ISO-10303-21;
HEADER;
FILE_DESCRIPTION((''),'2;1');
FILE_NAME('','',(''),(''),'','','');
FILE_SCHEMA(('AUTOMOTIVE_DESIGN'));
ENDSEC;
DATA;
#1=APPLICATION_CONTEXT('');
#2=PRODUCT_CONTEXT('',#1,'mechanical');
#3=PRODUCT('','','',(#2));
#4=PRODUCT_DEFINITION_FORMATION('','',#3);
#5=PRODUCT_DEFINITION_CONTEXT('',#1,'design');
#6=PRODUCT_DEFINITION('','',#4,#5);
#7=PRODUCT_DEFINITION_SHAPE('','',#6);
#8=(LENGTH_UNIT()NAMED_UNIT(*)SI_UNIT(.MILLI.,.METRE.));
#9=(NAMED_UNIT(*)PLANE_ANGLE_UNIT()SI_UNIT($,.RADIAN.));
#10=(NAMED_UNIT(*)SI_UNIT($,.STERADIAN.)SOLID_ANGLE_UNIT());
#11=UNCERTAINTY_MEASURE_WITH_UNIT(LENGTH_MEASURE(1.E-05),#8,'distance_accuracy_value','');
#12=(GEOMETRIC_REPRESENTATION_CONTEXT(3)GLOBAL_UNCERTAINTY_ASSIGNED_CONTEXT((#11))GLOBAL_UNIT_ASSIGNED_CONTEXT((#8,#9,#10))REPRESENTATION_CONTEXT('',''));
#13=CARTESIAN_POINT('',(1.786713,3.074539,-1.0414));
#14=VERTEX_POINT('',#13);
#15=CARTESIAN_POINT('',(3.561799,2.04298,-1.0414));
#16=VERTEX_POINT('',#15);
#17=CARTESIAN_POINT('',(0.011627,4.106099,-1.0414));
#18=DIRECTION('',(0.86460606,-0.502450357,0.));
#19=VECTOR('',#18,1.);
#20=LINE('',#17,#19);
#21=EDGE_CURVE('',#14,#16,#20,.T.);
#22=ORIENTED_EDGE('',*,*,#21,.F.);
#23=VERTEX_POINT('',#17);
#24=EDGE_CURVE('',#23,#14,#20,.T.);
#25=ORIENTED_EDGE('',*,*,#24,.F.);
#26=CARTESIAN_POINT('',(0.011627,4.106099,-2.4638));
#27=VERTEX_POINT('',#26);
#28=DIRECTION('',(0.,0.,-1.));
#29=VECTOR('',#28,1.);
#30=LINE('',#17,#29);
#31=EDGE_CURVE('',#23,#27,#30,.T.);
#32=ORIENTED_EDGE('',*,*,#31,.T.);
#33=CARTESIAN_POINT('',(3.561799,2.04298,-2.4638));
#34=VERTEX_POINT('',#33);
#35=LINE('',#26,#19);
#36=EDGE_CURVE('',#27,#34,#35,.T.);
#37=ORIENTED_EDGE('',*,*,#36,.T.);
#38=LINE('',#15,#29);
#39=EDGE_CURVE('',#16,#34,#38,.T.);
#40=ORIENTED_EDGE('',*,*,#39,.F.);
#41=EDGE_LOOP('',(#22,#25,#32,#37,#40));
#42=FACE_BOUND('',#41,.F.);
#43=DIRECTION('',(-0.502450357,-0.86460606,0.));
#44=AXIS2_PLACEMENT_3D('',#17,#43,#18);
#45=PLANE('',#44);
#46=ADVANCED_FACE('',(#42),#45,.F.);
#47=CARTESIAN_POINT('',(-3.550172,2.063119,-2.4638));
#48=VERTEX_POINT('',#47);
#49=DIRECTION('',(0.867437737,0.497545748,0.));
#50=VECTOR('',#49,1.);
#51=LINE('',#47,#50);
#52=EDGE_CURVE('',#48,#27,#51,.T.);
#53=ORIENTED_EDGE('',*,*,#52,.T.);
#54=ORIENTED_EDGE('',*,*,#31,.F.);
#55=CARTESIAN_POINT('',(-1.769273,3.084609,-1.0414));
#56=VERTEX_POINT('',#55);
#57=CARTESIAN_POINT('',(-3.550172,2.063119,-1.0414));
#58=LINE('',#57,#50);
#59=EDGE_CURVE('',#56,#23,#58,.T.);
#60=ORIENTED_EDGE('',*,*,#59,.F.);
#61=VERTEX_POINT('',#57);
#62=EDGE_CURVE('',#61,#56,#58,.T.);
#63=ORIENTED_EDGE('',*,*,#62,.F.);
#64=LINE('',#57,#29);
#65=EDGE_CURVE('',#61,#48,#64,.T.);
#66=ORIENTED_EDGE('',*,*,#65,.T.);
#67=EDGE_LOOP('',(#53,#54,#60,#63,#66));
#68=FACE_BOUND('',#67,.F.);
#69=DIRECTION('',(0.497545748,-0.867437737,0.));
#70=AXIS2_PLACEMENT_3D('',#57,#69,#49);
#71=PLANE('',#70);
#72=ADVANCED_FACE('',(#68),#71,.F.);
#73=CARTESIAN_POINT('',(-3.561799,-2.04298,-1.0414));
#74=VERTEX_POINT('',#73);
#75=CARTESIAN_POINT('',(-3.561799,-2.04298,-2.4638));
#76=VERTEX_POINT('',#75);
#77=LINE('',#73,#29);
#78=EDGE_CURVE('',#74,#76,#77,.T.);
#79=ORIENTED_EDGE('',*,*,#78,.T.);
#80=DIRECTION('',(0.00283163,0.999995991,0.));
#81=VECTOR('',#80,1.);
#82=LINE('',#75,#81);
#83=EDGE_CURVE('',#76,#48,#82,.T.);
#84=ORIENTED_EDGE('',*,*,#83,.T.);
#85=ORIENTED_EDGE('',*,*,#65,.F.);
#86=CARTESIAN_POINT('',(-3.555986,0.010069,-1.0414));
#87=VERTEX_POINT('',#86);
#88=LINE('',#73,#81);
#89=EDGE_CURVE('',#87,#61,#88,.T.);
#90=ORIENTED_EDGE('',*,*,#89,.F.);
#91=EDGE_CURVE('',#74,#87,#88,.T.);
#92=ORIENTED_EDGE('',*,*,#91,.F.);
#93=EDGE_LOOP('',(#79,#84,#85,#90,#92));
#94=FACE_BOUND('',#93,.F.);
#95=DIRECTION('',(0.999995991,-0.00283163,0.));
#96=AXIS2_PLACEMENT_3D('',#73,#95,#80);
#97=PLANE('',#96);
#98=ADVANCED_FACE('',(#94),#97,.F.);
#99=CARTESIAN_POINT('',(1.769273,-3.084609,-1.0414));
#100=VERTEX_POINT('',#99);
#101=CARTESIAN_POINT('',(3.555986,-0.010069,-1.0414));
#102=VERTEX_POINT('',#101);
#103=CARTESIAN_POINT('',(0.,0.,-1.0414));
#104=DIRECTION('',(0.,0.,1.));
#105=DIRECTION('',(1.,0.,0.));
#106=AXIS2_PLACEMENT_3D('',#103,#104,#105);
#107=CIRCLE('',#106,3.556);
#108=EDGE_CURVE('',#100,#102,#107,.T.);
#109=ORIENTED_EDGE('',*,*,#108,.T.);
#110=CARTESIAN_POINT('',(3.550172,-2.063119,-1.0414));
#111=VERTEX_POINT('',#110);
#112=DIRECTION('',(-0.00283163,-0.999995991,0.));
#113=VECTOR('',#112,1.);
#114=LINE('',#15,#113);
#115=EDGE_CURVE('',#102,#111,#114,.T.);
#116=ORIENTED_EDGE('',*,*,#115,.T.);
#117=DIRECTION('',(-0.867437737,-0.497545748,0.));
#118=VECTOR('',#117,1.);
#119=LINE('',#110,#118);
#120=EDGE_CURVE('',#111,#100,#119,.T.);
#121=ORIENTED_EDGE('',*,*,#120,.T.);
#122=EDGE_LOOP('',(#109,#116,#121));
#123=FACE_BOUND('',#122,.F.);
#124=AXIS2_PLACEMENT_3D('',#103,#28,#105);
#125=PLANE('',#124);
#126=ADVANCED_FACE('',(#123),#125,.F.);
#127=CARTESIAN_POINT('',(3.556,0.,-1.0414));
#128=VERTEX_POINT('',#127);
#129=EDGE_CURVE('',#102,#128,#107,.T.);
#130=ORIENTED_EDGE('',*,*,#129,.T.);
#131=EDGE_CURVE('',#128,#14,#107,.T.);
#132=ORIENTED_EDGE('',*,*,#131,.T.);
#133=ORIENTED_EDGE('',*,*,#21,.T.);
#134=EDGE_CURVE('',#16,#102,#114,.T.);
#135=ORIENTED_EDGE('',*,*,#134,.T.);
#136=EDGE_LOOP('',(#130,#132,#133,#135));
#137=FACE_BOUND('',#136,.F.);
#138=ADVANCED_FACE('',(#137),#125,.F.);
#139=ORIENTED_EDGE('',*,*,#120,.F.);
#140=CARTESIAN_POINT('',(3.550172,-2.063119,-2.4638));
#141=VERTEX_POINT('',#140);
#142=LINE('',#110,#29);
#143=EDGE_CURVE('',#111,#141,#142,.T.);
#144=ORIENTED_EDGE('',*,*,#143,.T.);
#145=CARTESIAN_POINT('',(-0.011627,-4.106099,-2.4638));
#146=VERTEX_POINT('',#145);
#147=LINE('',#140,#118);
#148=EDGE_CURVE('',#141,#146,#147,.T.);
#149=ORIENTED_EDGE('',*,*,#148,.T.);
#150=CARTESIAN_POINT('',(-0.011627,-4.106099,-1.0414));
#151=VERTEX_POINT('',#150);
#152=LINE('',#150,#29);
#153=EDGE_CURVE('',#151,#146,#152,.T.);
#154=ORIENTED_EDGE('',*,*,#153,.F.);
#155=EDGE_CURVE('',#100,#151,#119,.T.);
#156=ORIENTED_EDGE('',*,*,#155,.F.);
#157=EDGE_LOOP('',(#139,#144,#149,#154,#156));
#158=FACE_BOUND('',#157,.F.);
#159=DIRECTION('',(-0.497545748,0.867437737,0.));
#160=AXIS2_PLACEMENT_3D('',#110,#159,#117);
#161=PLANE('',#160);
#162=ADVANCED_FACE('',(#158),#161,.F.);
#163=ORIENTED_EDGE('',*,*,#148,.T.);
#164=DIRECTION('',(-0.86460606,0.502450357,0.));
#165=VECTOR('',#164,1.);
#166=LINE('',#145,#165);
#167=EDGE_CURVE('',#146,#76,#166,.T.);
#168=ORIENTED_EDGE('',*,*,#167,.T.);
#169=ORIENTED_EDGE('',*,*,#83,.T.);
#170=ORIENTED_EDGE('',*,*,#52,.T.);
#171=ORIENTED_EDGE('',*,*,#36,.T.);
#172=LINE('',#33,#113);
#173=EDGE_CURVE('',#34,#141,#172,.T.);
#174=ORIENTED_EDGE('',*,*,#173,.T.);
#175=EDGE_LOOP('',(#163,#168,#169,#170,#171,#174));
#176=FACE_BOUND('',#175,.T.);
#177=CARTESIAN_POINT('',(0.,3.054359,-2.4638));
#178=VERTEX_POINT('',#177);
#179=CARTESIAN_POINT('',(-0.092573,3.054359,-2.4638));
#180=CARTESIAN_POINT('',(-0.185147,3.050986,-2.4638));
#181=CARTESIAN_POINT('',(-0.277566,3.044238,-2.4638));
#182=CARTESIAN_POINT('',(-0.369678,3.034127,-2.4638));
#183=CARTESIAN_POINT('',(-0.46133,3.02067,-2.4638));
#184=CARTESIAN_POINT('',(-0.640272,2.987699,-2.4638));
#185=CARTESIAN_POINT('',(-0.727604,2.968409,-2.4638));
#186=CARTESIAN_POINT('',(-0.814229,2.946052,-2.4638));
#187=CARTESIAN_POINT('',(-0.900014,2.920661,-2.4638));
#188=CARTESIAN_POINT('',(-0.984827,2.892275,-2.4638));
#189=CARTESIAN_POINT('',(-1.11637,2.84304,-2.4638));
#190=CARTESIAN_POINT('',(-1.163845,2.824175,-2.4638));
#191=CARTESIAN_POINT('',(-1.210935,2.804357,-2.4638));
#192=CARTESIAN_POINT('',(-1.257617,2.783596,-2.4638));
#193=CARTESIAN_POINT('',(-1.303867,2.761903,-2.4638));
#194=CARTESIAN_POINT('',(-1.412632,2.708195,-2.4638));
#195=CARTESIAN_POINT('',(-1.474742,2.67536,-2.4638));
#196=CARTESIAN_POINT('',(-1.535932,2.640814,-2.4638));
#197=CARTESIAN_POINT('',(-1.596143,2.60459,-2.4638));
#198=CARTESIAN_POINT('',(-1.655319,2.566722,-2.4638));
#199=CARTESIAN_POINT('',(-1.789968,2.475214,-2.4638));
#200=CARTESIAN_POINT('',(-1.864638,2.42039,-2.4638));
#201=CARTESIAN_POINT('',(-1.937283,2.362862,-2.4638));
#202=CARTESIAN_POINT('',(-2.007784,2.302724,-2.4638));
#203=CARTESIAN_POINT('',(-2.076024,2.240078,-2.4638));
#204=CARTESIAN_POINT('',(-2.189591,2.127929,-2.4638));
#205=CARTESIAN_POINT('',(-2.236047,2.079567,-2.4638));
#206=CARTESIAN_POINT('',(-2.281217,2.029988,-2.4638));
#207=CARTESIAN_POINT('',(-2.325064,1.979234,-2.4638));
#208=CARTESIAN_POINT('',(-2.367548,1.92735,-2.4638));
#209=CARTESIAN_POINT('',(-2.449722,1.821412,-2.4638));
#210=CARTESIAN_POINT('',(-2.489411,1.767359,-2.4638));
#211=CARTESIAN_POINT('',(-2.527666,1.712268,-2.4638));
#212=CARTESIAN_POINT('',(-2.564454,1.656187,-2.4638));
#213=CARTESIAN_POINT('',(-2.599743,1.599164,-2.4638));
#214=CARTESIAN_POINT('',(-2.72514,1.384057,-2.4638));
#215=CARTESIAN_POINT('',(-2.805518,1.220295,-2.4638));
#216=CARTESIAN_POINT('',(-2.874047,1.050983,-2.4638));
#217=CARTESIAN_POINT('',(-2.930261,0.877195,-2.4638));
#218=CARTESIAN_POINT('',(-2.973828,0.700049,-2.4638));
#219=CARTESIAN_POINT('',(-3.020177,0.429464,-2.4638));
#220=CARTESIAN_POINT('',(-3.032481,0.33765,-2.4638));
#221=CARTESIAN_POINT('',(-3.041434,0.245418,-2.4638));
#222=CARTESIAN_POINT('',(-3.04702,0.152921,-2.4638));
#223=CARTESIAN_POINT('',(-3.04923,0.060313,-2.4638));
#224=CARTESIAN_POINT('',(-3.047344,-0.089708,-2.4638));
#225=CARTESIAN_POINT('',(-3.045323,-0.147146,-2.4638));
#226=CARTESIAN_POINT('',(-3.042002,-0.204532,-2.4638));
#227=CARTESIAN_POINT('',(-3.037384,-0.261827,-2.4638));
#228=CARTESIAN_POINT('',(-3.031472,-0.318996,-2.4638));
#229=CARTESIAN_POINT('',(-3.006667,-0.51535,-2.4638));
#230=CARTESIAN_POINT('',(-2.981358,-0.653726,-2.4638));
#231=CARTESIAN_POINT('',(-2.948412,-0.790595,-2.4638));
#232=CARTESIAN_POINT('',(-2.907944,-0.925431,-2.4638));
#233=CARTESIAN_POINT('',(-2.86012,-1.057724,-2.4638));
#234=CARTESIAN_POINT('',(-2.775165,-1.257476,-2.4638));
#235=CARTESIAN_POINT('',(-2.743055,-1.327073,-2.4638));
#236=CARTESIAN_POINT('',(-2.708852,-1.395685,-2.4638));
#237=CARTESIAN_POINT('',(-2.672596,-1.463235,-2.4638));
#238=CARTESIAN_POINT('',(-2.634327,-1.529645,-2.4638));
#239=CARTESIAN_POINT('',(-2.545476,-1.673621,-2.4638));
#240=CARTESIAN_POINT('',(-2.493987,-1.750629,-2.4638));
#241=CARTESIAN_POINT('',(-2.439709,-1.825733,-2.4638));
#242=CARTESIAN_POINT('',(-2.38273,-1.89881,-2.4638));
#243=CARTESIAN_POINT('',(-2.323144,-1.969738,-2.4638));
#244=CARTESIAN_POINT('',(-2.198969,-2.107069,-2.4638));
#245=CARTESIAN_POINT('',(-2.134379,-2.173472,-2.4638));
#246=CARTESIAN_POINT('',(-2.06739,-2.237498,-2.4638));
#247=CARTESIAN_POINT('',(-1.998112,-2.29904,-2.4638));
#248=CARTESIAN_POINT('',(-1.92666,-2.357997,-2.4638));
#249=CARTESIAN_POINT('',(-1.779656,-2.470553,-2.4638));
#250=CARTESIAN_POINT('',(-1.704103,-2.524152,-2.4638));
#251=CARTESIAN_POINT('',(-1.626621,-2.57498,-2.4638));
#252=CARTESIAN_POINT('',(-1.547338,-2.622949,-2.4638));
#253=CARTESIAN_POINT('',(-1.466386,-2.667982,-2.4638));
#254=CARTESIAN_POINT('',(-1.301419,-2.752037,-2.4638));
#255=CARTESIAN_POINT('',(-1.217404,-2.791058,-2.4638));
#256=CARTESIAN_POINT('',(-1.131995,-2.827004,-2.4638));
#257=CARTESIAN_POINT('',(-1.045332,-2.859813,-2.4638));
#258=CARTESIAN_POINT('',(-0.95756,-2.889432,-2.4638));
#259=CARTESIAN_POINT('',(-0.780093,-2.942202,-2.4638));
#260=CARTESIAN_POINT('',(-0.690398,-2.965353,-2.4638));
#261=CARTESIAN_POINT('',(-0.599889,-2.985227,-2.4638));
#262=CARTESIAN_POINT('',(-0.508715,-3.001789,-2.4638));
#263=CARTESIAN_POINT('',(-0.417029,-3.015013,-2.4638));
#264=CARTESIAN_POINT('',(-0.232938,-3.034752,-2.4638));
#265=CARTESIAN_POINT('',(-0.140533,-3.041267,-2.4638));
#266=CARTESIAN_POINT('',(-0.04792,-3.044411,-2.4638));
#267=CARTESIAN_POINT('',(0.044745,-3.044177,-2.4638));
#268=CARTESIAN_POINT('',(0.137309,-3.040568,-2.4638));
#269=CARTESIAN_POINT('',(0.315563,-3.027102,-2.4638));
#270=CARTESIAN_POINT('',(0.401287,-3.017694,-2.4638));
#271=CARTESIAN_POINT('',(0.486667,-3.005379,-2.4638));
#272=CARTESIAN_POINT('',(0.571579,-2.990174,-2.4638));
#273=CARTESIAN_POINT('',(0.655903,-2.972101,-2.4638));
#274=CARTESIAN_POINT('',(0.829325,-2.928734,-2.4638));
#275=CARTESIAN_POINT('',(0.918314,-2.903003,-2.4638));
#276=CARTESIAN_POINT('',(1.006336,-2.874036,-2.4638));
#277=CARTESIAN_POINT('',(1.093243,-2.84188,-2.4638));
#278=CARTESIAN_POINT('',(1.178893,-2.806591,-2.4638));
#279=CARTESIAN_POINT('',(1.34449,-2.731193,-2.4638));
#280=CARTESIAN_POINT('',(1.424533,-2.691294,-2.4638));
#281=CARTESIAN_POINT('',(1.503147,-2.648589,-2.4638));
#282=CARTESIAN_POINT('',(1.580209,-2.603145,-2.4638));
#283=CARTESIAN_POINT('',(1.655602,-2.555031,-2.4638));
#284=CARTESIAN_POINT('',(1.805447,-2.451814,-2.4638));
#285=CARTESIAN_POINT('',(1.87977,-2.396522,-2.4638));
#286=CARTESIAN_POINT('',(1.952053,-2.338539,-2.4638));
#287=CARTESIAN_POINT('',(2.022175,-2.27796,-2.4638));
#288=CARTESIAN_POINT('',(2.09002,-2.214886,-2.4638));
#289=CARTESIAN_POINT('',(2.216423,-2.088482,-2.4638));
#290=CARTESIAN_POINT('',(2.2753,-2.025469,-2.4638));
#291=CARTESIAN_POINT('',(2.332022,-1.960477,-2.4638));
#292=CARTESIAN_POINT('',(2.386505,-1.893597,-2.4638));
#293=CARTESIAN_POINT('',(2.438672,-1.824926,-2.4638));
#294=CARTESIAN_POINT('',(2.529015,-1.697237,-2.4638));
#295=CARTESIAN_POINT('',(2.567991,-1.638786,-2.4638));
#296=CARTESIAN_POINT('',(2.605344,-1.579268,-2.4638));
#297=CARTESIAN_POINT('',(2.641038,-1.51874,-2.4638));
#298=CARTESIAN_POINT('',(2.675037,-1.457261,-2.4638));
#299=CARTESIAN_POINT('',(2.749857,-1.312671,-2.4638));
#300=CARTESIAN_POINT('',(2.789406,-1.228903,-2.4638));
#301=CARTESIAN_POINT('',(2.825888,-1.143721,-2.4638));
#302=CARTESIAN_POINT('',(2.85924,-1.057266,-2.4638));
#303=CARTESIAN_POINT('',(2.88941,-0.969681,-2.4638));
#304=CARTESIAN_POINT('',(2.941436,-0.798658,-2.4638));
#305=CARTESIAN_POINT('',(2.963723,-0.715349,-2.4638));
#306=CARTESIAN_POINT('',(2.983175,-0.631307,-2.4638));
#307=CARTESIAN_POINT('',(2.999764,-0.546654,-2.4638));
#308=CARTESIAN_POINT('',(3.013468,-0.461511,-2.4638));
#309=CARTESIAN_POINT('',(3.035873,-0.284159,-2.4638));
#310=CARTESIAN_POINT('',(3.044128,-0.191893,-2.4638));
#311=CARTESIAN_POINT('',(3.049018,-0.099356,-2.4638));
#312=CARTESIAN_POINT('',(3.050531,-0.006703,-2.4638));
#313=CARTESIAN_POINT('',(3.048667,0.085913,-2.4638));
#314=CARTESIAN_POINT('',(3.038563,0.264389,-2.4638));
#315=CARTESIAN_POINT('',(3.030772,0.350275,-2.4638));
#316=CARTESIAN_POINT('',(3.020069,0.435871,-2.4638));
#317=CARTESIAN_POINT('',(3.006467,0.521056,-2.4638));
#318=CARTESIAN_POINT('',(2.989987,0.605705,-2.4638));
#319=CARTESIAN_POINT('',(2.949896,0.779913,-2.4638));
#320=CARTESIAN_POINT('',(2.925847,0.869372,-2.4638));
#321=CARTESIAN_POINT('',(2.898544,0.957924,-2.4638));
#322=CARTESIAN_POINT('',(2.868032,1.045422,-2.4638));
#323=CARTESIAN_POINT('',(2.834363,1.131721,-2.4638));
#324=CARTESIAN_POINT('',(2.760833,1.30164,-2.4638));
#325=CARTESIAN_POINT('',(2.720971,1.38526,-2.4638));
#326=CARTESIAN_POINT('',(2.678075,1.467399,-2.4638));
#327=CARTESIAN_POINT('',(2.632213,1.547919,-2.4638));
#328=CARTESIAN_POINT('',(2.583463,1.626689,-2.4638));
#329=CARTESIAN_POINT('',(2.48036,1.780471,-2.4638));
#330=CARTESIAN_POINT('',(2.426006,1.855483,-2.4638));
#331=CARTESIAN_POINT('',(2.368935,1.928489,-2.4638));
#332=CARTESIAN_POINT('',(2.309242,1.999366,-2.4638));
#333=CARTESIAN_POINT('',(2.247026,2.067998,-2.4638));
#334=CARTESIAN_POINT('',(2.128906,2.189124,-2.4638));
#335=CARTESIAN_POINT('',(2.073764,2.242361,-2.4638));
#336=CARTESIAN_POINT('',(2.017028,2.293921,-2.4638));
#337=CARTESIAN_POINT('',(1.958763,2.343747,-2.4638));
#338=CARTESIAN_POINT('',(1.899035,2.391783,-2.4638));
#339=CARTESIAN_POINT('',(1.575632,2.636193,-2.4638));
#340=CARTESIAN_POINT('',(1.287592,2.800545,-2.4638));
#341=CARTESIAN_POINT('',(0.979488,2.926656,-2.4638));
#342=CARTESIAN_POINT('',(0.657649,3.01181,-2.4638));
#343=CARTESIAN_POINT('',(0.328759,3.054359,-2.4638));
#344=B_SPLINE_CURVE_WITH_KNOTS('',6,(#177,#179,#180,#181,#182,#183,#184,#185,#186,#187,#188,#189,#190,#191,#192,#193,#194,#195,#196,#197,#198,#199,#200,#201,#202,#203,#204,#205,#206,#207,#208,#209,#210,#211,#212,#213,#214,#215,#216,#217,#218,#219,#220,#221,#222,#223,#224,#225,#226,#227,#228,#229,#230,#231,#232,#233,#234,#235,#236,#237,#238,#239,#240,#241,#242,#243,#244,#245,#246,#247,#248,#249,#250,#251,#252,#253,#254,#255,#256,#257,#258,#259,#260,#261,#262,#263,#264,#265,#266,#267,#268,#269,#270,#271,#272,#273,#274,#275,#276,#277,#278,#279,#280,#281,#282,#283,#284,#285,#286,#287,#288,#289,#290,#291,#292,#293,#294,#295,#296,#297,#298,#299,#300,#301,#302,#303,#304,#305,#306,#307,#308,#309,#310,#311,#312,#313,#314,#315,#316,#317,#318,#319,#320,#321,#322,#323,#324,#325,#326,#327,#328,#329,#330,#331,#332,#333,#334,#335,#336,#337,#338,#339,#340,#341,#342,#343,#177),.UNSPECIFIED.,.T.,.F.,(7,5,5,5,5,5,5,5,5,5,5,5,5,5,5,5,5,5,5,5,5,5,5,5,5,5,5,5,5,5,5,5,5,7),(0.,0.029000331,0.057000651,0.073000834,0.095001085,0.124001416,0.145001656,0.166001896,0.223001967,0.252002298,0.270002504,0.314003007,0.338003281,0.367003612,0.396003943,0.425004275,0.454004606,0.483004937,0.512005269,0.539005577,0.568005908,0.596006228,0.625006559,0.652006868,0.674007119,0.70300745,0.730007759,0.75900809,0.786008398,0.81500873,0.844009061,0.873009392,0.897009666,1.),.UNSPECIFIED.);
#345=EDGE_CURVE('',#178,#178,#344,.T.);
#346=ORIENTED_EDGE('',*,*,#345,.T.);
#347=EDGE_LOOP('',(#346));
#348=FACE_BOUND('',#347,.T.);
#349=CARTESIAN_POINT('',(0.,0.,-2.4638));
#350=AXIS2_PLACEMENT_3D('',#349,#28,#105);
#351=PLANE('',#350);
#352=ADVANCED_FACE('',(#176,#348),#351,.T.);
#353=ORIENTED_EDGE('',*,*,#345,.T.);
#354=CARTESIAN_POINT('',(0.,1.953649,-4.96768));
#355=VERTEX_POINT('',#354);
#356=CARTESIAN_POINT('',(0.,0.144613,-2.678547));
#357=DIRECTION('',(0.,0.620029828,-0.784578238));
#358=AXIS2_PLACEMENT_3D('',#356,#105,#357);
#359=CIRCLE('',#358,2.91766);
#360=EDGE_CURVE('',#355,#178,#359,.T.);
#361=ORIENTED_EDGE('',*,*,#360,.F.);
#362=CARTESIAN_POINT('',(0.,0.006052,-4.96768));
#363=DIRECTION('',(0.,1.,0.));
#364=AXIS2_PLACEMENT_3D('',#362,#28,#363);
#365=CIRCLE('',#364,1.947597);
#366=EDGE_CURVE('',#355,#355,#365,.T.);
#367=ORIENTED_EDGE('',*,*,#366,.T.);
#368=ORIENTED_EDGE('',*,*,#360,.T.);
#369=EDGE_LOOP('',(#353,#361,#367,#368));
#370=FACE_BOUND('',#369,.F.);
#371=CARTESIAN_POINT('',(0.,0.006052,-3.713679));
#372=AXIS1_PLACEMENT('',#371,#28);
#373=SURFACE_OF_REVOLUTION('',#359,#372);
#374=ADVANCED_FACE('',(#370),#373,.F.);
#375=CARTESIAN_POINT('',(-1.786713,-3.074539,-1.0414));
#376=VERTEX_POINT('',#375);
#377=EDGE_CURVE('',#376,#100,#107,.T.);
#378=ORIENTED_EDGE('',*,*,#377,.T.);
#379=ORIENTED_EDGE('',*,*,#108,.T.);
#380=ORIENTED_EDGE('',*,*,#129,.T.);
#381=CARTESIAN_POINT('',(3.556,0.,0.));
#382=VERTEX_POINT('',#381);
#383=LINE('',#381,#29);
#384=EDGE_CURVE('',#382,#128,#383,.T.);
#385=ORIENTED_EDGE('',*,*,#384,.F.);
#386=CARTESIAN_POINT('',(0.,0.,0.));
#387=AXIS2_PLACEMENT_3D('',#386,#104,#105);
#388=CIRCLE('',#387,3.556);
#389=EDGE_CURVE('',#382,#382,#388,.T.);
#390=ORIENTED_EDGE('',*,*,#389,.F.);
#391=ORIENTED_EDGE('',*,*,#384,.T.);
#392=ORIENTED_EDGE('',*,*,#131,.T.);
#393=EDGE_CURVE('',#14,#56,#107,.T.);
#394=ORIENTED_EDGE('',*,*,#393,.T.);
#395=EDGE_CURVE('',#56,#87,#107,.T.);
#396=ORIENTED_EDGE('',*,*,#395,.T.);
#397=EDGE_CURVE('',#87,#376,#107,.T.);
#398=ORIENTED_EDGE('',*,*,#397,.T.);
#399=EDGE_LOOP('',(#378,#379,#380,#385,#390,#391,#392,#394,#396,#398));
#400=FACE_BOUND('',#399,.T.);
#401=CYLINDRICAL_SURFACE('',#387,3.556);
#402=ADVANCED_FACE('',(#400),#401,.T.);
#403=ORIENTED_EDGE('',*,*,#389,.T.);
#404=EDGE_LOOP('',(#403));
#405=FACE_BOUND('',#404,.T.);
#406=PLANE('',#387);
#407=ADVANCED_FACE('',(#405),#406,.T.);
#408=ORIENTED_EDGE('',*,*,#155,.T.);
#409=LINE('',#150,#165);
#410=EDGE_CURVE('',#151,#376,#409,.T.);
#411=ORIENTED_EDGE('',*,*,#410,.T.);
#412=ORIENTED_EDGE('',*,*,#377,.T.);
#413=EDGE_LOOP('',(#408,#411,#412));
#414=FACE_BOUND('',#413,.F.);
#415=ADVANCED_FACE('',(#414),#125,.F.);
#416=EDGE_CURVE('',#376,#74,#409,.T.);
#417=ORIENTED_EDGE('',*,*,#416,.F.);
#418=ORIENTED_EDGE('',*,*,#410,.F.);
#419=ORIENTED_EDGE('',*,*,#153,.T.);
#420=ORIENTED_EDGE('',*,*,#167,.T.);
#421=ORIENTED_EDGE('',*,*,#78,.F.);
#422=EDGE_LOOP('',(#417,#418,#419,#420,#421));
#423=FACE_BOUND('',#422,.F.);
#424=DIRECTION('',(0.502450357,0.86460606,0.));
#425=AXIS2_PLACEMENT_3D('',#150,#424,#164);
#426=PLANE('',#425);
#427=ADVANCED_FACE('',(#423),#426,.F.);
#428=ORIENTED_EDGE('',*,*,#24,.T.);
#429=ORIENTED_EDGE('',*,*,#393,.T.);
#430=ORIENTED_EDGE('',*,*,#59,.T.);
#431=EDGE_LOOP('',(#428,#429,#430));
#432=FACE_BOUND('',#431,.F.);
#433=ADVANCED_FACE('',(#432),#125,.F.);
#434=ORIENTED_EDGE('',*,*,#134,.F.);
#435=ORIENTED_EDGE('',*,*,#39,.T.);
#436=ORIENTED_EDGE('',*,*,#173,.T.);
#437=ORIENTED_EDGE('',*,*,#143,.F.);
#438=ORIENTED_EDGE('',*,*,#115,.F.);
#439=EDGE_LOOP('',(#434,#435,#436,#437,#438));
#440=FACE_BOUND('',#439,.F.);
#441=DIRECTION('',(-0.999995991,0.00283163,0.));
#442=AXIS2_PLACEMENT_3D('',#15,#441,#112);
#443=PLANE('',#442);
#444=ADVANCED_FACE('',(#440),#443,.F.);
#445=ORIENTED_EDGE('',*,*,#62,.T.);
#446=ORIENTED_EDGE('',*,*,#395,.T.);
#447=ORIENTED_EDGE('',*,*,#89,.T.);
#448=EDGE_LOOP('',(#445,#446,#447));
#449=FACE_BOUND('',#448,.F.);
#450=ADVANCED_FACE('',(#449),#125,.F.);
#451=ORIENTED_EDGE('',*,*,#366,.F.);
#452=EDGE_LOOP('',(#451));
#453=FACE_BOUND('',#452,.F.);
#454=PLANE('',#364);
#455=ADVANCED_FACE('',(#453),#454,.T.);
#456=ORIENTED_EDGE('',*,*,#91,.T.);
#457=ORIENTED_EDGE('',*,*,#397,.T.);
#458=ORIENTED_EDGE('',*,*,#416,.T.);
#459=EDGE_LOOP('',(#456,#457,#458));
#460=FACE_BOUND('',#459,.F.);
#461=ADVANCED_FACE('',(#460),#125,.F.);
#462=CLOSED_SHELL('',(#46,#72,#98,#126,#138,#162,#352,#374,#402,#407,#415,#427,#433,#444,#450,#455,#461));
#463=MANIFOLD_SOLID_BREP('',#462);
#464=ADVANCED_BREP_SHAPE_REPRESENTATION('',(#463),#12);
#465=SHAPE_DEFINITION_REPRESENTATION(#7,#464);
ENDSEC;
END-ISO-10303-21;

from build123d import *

# Parameters (mm, degrees)
F0_R     = 3.556
F1_DEPTH = 1.0414
F3_DEPTH = 1.4224


with BuildPart() as f1:
    # F0 (on Top) → F1 (new body)
    with BuildSketch(Plane.XY):
        Circle(F0_R)
    extrude(amount=-F1_DEPTH)

    # F2 (on face) → F3 (join)
    with BuildSketch(Plane(origin=(0, 0, -1.0414), x_dir=(1, 0, 0), z_dir=(0, 0, -1))):
        Polygon((0.011627, -4.106099), (3.561799, -2.04298), (3.550172, 2.063119), (-0.011627, 4.106099), (-3.561799, 2.04298), (-3.550172, -2.063119), align=None)
    extrude(amount=F3_DEPTH)

    # F4 (on Right) → F5 (revolve)
    with BuildSketch(Plane.YZ):
        with BuildLine():
            Line((0.006052, -2.459678), (0.006052, -4.96768))
            Line((0.006052, -4.96768), (1.953649, -4.96768))
            ThreePointArc((1.953649, -4.96768), (2.816414, -3.850818), (3.054052, -2.459678))
            Line((3.054052, -2.459678), (0.006052, -2.459678))
        make_face()
    revolve(axis=Axis((0, 0.006052, -3.713679), (0, 0, -1)))


solid = f1.part
